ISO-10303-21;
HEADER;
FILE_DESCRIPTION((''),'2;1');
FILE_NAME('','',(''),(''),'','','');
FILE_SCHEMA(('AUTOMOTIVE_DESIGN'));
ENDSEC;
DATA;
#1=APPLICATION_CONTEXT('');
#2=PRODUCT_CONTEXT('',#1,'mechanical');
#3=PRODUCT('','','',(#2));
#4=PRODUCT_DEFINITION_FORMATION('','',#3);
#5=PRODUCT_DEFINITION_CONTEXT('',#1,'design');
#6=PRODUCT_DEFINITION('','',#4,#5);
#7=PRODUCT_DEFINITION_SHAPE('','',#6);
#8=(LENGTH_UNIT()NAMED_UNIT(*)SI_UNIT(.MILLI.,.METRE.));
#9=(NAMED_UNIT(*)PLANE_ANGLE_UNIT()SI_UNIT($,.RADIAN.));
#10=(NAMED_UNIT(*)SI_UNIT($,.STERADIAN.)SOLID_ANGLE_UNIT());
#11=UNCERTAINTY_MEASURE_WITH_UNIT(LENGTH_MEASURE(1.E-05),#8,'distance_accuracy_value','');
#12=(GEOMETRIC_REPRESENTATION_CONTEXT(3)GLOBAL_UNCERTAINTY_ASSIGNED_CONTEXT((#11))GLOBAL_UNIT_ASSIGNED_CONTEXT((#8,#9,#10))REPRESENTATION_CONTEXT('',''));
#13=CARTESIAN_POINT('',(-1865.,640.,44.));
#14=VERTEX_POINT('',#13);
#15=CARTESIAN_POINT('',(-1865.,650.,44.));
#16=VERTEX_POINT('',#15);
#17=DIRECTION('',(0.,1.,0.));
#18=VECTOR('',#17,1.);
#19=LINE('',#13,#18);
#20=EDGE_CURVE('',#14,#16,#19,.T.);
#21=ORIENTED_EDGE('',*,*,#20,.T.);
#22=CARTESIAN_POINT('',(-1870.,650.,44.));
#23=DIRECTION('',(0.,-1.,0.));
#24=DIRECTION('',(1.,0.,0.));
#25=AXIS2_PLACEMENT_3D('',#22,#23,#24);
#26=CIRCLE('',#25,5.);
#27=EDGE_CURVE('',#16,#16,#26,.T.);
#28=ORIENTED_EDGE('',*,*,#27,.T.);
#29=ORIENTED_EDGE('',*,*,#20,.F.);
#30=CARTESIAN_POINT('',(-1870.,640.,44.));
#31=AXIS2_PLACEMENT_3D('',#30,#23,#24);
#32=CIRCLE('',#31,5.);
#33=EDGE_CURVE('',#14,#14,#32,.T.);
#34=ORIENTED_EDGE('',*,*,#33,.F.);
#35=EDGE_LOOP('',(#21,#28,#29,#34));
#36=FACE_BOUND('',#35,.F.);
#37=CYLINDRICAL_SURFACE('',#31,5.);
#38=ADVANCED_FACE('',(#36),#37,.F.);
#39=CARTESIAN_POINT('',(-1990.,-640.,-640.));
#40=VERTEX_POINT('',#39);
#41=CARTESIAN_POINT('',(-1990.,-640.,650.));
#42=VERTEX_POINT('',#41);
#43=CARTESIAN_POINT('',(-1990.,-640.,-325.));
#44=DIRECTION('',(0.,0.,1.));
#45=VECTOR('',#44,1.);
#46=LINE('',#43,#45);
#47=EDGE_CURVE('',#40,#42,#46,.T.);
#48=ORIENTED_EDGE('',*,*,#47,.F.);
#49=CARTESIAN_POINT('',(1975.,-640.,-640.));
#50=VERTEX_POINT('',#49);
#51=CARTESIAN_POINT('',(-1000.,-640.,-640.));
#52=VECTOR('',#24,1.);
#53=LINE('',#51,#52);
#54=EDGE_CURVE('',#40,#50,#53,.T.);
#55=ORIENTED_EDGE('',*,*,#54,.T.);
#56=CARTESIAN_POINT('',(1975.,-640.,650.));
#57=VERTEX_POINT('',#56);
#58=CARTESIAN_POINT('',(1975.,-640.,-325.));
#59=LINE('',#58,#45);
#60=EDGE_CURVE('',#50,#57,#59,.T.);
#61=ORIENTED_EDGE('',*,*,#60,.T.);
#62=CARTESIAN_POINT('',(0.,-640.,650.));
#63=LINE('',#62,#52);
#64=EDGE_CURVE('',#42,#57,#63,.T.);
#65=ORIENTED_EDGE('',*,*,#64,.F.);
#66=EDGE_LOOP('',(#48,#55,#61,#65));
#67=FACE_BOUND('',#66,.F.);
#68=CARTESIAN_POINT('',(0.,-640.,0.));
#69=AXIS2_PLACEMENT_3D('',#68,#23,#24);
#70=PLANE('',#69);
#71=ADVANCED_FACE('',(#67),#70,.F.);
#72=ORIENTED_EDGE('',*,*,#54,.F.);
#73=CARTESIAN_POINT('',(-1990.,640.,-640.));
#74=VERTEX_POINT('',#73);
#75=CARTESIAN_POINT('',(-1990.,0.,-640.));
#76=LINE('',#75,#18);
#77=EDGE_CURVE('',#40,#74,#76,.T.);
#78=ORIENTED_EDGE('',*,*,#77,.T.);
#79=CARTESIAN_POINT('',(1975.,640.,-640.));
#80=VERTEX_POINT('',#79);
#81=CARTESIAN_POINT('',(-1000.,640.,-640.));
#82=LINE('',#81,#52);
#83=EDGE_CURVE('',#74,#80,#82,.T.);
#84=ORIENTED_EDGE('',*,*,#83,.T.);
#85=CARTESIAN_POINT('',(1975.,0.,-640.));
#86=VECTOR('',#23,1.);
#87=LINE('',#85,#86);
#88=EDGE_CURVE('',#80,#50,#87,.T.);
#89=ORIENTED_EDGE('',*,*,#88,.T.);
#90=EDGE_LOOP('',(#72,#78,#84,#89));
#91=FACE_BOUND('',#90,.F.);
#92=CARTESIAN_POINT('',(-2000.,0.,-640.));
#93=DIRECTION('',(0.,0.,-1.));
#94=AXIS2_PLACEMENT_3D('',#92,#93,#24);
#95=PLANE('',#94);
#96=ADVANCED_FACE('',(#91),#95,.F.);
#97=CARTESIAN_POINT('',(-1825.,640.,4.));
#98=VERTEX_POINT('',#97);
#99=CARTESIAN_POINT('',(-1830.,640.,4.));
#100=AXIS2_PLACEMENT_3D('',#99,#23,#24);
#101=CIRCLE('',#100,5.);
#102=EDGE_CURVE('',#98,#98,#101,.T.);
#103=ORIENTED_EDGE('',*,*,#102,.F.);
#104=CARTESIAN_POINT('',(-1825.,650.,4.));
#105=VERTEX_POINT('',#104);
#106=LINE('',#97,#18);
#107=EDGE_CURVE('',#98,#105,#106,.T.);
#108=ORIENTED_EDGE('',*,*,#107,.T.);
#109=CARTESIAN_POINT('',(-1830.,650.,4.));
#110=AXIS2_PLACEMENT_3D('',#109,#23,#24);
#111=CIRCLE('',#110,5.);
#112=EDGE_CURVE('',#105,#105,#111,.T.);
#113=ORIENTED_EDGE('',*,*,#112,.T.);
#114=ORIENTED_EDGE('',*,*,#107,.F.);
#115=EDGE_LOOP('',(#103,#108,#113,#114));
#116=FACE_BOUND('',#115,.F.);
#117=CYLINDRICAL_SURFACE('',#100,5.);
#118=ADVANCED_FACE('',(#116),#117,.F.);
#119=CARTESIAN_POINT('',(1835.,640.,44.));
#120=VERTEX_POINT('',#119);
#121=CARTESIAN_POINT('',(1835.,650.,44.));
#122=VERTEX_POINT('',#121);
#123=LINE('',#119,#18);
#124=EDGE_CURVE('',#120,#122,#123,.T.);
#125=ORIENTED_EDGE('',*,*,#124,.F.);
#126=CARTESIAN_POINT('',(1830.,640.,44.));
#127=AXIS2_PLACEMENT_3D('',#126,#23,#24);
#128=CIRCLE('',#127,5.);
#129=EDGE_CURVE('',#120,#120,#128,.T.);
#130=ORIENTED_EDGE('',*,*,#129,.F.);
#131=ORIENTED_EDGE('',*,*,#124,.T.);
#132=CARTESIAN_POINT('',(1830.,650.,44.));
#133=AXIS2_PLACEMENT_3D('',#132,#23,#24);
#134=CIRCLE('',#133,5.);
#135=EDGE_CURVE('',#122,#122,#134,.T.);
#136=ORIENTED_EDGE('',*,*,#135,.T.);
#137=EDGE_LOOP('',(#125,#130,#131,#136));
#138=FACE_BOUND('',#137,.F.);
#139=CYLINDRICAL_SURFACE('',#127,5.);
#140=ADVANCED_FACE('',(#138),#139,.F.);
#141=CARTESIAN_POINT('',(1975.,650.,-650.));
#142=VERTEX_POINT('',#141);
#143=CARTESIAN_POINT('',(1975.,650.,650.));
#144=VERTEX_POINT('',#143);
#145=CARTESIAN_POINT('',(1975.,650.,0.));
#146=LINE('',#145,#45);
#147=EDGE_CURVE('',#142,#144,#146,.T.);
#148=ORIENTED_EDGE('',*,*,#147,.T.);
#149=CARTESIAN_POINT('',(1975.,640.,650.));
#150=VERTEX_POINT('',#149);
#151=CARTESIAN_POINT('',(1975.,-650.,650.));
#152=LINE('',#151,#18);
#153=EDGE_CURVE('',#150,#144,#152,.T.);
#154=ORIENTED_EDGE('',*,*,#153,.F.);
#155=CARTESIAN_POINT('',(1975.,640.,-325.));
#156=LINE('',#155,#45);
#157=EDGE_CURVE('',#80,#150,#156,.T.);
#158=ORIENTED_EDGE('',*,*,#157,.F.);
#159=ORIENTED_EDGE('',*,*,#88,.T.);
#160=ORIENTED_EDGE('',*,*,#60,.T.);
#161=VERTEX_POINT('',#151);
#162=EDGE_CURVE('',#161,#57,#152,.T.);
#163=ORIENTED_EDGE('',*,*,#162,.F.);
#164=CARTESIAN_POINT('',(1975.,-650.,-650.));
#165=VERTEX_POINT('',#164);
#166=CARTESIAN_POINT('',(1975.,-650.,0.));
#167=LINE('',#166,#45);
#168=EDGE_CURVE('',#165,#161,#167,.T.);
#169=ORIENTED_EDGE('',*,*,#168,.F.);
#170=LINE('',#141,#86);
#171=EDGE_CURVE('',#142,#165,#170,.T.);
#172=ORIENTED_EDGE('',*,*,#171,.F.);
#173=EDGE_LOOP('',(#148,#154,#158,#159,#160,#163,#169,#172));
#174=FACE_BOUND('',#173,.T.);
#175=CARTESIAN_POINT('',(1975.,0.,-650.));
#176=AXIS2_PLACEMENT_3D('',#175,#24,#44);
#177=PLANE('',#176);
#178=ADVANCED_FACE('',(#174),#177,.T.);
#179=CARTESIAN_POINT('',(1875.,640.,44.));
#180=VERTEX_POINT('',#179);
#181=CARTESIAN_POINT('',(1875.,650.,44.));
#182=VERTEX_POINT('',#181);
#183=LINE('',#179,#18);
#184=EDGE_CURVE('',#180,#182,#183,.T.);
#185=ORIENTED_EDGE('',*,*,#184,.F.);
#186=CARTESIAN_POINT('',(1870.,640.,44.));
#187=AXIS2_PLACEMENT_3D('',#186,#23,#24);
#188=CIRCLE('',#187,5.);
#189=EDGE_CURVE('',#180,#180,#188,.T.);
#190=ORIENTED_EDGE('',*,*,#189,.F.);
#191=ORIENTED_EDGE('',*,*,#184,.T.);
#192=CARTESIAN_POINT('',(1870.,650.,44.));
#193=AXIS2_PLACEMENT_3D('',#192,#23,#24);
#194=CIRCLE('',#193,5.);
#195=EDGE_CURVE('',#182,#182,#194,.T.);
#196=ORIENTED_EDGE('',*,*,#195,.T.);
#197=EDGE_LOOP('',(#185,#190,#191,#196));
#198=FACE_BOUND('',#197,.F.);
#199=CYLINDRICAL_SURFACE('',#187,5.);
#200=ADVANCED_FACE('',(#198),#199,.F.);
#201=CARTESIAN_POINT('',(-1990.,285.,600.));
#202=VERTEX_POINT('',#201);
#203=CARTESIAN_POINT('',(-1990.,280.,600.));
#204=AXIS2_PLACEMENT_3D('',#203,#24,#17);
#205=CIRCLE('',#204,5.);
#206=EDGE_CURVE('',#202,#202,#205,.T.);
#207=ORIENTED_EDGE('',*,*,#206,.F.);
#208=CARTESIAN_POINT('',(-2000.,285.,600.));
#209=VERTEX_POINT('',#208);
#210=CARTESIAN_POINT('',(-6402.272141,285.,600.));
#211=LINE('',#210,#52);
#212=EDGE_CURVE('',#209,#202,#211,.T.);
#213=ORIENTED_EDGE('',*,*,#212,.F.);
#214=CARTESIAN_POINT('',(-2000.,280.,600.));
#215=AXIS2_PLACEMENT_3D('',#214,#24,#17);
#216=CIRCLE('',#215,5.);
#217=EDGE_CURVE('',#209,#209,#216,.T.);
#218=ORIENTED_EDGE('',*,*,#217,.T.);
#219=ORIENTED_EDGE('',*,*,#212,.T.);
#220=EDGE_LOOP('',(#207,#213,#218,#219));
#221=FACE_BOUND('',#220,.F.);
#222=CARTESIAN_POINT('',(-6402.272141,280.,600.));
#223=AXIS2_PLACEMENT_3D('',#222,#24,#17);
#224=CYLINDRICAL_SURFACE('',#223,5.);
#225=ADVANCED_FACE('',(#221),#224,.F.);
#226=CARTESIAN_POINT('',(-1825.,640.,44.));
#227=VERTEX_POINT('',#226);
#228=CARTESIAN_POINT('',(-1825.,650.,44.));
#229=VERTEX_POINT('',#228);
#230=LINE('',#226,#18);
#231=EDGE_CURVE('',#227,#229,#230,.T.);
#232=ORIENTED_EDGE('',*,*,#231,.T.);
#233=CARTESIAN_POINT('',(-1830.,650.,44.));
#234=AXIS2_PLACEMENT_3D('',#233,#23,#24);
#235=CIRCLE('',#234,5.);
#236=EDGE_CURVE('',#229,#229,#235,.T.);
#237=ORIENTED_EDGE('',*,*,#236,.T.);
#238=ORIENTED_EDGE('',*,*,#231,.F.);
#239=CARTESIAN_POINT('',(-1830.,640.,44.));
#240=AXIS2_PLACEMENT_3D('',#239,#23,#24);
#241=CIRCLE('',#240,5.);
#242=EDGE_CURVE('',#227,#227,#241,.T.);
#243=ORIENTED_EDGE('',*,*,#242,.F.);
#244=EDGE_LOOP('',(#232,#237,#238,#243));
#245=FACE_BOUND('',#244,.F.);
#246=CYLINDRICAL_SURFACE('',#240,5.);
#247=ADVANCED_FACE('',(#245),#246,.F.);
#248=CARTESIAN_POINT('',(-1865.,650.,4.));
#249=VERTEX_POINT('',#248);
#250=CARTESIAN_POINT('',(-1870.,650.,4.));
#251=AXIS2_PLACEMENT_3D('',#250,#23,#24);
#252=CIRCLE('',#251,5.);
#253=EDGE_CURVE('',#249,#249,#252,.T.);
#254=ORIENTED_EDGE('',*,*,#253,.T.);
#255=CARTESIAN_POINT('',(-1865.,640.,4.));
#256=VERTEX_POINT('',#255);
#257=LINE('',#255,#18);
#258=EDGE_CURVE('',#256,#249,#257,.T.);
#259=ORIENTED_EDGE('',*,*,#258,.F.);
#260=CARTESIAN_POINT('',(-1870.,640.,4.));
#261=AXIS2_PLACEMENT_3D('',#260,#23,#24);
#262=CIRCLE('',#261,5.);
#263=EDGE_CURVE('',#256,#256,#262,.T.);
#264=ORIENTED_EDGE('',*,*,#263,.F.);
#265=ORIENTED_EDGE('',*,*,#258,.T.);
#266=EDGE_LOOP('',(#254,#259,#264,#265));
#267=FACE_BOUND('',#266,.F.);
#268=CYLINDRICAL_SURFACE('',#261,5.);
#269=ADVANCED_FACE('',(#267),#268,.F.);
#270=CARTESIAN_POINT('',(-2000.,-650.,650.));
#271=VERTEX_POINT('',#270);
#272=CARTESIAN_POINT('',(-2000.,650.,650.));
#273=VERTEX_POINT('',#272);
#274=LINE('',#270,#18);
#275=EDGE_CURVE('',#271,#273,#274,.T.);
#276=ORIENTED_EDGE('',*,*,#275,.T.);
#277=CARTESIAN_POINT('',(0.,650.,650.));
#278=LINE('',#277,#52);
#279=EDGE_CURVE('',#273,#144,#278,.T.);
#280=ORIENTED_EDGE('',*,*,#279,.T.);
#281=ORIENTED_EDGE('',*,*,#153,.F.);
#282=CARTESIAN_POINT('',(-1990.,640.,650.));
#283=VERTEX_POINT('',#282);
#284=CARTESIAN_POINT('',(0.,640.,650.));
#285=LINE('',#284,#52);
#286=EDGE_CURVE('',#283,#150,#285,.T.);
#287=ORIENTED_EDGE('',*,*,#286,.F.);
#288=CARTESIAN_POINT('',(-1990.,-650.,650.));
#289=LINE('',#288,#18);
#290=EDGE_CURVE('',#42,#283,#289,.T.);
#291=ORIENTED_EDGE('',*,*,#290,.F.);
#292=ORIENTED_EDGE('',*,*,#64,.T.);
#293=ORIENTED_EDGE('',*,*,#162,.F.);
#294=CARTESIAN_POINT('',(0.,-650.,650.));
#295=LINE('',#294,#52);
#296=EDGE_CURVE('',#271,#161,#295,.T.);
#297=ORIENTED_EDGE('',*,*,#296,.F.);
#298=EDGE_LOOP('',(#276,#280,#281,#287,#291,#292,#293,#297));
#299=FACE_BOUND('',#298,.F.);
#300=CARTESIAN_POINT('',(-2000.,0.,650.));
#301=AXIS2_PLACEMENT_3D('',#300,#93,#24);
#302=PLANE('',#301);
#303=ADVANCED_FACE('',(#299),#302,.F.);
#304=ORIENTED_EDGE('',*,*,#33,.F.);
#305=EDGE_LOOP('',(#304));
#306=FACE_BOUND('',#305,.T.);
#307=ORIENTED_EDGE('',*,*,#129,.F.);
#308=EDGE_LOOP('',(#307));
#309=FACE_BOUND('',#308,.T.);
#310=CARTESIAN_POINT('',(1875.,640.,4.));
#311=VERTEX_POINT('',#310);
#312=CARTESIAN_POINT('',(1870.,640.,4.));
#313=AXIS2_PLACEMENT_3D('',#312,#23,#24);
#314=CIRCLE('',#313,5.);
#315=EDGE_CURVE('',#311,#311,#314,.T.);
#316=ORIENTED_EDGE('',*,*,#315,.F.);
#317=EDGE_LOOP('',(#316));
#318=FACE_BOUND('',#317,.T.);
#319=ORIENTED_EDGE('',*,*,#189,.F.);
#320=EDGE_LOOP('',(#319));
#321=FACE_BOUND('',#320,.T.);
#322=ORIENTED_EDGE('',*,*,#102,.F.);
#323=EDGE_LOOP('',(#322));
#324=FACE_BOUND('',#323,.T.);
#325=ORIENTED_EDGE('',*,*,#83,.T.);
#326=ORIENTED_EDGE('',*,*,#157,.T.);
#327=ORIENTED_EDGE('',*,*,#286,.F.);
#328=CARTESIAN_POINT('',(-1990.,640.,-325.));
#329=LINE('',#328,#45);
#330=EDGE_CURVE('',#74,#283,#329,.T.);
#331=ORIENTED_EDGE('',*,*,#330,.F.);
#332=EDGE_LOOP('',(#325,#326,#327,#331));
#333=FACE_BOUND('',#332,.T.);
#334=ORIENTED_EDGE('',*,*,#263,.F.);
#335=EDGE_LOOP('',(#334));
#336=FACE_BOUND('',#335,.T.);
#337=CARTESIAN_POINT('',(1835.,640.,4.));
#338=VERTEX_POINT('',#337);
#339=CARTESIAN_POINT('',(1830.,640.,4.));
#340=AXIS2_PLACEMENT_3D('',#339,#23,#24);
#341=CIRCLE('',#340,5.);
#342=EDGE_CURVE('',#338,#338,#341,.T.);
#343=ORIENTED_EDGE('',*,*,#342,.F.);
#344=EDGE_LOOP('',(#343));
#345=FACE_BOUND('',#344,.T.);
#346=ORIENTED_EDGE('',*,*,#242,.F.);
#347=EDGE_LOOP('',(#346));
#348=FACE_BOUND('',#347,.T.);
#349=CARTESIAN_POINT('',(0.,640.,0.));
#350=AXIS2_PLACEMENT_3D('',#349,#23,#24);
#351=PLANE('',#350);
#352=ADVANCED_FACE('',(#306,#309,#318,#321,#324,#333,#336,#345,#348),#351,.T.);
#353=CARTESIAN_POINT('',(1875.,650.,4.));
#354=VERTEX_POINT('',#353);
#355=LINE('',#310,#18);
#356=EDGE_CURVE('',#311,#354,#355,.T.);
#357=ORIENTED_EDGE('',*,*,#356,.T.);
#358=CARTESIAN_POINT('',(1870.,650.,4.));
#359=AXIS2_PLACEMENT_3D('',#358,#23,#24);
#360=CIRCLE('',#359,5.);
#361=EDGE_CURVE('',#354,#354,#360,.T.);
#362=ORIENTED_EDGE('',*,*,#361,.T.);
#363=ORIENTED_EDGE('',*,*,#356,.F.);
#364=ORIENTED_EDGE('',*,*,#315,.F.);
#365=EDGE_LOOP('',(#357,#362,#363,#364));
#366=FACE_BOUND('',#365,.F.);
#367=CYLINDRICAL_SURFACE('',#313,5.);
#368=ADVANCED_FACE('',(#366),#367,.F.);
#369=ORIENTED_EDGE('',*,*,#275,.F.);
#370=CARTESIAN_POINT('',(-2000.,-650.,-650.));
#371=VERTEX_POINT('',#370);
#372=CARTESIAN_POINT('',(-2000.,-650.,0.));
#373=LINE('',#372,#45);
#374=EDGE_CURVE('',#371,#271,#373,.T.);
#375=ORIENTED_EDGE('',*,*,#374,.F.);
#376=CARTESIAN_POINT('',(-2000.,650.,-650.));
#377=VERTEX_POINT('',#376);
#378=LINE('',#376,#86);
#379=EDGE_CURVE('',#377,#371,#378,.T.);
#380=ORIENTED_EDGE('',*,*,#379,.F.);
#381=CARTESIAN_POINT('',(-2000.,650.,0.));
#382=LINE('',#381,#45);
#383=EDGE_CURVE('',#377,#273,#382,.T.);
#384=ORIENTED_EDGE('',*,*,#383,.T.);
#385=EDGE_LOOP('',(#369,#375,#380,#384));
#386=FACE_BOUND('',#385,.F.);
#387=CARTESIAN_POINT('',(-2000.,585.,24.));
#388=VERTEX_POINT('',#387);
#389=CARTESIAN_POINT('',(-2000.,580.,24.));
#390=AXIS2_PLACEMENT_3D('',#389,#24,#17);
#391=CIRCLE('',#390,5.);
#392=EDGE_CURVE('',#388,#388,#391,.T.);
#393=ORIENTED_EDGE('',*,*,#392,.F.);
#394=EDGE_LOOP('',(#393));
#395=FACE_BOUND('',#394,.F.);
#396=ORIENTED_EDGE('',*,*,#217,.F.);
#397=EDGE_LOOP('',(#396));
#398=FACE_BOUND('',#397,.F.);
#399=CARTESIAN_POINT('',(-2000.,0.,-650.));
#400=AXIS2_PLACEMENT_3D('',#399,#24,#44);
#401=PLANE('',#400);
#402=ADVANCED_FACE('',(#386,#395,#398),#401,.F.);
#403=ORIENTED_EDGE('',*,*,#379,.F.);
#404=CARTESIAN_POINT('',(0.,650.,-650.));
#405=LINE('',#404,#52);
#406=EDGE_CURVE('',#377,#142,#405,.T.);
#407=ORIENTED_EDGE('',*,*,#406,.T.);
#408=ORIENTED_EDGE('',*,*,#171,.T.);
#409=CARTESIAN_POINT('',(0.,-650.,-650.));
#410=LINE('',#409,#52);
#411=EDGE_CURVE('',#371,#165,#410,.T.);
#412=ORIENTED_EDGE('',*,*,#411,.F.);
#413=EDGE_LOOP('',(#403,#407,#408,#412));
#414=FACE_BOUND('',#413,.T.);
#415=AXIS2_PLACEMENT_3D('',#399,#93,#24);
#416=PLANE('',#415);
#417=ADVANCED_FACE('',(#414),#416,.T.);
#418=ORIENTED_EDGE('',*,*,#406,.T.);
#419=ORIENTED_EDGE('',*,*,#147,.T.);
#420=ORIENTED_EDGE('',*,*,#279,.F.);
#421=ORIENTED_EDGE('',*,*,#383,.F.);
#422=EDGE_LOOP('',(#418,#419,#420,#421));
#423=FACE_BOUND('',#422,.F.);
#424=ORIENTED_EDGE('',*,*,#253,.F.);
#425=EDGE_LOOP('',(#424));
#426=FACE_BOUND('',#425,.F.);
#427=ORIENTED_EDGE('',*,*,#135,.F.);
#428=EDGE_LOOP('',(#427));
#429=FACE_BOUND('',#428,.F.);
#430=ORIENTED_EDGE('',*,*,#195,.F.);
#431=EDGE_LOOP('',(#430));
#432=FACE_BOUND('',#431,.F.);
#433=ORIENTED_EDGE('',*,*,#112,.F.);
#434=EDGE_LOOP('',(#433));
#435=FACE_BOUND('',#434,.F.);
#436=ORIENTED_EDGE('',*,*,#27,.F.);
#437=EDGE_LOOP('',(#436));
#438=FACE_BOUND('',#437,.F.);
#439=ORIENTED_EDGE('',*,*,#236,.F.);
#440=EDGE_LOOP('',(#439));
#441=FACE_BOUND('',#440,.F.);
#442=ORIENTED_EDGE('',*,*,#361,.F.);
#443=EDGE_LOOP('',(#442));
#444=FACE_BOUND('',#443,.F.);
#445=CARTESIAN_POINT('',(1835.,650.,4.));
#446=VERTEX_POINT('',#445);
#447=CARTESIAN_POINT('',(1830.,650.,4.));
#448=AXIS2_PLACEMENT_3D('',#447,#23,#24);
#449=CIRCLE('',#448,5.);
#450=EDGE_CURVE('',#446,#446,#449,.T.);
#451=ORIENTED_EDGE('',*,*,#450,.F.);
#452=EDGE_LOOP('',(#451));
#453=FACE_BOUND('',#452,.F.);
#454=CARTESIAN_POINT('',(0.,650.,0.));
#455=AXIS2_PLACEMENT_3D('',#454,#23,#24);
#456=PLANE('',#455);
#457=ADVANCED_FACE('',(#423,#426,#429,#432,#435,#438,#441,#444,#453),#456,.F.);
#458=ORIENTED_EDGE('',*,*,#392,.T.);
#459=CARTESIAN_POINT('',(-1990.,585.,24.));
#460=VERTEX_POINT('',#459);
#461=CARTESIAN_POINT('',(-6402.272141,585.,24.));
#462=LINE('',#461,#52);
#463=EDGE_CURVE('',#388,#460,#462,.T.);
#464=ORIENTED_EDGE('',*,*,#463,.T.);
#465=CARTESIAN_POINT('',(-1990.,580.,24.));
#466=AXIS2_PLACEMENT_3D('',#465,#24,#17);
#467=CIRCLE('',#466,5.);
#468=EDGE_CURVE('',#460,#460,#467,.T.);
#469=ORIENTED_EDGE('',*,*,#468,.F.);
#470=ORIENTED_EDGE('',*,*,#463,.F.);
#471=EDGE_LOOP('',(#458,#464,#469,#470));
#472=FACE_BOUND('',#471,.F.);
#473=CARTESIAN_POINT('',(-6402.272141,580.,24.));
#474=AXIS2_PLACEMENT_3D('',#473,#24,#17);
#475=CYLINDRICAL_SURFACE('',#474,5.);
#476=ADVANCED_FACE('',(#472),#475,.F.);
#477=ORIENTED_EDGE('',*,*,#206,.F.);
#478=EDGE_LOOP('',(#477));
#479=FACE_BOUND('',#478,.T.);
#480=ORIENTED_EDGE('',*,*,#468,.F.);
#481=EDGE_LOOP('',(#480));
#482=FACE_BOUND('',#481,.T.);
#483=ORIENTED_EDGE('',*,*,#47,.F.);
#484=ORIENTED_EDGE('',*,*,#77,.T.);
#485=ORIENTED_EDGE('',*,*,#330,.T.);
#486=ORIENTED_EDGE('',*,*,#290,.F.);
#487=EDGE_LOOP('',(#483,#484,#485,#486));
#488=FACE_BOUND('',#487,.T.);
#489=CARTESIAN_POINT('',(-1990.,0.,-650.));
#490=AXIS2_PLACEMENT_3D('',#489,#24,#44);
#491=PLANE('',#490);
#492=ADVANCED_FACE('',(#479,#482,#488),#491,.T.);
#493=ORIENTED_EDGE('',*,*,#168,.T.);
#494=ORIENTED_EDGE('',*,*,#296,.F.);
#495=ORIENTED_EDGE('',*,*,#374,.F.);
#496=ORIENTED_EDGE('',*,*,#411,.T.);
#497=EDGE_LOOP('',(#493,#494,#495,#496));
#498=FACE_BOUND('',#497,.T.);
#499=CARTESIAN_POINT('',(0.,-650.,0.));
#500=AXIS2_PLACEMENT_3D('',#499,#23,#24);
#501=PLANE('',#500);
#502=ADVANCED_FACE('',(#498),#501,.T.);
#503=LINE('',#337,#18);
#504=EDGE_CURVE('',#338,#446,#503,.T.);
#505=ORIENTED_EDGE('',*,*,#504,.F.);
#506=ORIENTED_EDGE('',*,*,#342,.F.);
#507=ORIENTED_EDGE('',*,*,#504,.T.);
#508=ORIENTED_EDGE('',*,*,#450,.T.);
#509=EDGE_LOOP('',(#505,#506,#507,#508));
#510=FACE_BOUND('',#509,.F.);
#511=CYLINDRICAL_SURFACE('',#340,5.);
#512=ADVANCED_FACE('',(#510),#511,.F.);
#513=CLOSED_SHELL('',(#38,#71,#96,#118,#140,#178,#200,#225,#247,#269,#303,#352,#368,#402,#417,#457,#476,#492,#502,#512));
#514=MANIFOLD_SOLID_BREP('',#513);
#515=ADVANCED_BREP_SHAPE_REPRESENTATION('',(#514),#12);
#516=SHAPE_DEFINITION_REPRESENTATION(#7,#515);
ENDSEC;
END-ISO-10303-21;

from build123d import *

# Parameters (mm, degrees)
F0_W     = 4000
F0_H     = 1300
F1_DEPTH = 650
F2_T     = -10
F4_D     = 10
F5_D     = 10
F7_D     = 10
F7_DEPTH = 10.001
F8_D     = 10
F8_DEPTH = 10.001
F9_DEPTH = 25


with BuildPart() as f1:
    # F0 (on Front) → F1 (new body, symmetric)
    with BuildSketch(Plane.XZ):
        Rectangle(F0_W, F0_H)
    extrude(amount=F1_DEPTH, both=True)

    # F2
    f2_openings = [f1.faces().sort_by_distance(p)[0] for p in [
        (0, 0, 650),
    ]]
    offset(amount=F2_T, openings=f2_openings)

    # F4 (through all)
    with Locations(Plane(origin=(-2000, 0, 0), x_dir=(0, -1, 0), z_dir=(-1, 0, 0))):
        with Locations((-580, 24)):
            Hole(F4_D / 2)

    # F5 (through all)
    with Locations(Plane(origin=(-2000, 0, 0), x_dir=(0, -1, 0), z_dir=(-1, 0, 0))):
        with Locations((-280, 600)):
            Hole(F5_D / 2)

    # F7 (through all, one way)
    with BuildSketch(Plane.XZ.offset(-640)):
        with Locations((-1870, 44), (-1830, 44), (-1830, 4), (-1870, 4)):
            Circle(F7_D / 2)
    extrude(amount=-F7_DEPTH, mode=Mode.SUBTRACT)

    # F8 (through all, one way)
    with BuildSketch(Plane.XZ.offset(-640)):
        with Locations((1830, 44), (1870, 44), (1870, 4), (1830, 4)):
            Circle(F8_D / 2)
    extrude(amount=-F8_DEPTH, mode=Mode.SUBTRACT)

    # F9 (cut): a face of the model
    f9_faces = [f1.faces().sort_by_distance(p)[0] for p in [
        (2000, -0.0399707223, -0.0290020124),
    ]]
    extrude(f9_faces, amount=-F9_DEPTH, mode=Mode.SUBTRACT)


solid = f1.part
